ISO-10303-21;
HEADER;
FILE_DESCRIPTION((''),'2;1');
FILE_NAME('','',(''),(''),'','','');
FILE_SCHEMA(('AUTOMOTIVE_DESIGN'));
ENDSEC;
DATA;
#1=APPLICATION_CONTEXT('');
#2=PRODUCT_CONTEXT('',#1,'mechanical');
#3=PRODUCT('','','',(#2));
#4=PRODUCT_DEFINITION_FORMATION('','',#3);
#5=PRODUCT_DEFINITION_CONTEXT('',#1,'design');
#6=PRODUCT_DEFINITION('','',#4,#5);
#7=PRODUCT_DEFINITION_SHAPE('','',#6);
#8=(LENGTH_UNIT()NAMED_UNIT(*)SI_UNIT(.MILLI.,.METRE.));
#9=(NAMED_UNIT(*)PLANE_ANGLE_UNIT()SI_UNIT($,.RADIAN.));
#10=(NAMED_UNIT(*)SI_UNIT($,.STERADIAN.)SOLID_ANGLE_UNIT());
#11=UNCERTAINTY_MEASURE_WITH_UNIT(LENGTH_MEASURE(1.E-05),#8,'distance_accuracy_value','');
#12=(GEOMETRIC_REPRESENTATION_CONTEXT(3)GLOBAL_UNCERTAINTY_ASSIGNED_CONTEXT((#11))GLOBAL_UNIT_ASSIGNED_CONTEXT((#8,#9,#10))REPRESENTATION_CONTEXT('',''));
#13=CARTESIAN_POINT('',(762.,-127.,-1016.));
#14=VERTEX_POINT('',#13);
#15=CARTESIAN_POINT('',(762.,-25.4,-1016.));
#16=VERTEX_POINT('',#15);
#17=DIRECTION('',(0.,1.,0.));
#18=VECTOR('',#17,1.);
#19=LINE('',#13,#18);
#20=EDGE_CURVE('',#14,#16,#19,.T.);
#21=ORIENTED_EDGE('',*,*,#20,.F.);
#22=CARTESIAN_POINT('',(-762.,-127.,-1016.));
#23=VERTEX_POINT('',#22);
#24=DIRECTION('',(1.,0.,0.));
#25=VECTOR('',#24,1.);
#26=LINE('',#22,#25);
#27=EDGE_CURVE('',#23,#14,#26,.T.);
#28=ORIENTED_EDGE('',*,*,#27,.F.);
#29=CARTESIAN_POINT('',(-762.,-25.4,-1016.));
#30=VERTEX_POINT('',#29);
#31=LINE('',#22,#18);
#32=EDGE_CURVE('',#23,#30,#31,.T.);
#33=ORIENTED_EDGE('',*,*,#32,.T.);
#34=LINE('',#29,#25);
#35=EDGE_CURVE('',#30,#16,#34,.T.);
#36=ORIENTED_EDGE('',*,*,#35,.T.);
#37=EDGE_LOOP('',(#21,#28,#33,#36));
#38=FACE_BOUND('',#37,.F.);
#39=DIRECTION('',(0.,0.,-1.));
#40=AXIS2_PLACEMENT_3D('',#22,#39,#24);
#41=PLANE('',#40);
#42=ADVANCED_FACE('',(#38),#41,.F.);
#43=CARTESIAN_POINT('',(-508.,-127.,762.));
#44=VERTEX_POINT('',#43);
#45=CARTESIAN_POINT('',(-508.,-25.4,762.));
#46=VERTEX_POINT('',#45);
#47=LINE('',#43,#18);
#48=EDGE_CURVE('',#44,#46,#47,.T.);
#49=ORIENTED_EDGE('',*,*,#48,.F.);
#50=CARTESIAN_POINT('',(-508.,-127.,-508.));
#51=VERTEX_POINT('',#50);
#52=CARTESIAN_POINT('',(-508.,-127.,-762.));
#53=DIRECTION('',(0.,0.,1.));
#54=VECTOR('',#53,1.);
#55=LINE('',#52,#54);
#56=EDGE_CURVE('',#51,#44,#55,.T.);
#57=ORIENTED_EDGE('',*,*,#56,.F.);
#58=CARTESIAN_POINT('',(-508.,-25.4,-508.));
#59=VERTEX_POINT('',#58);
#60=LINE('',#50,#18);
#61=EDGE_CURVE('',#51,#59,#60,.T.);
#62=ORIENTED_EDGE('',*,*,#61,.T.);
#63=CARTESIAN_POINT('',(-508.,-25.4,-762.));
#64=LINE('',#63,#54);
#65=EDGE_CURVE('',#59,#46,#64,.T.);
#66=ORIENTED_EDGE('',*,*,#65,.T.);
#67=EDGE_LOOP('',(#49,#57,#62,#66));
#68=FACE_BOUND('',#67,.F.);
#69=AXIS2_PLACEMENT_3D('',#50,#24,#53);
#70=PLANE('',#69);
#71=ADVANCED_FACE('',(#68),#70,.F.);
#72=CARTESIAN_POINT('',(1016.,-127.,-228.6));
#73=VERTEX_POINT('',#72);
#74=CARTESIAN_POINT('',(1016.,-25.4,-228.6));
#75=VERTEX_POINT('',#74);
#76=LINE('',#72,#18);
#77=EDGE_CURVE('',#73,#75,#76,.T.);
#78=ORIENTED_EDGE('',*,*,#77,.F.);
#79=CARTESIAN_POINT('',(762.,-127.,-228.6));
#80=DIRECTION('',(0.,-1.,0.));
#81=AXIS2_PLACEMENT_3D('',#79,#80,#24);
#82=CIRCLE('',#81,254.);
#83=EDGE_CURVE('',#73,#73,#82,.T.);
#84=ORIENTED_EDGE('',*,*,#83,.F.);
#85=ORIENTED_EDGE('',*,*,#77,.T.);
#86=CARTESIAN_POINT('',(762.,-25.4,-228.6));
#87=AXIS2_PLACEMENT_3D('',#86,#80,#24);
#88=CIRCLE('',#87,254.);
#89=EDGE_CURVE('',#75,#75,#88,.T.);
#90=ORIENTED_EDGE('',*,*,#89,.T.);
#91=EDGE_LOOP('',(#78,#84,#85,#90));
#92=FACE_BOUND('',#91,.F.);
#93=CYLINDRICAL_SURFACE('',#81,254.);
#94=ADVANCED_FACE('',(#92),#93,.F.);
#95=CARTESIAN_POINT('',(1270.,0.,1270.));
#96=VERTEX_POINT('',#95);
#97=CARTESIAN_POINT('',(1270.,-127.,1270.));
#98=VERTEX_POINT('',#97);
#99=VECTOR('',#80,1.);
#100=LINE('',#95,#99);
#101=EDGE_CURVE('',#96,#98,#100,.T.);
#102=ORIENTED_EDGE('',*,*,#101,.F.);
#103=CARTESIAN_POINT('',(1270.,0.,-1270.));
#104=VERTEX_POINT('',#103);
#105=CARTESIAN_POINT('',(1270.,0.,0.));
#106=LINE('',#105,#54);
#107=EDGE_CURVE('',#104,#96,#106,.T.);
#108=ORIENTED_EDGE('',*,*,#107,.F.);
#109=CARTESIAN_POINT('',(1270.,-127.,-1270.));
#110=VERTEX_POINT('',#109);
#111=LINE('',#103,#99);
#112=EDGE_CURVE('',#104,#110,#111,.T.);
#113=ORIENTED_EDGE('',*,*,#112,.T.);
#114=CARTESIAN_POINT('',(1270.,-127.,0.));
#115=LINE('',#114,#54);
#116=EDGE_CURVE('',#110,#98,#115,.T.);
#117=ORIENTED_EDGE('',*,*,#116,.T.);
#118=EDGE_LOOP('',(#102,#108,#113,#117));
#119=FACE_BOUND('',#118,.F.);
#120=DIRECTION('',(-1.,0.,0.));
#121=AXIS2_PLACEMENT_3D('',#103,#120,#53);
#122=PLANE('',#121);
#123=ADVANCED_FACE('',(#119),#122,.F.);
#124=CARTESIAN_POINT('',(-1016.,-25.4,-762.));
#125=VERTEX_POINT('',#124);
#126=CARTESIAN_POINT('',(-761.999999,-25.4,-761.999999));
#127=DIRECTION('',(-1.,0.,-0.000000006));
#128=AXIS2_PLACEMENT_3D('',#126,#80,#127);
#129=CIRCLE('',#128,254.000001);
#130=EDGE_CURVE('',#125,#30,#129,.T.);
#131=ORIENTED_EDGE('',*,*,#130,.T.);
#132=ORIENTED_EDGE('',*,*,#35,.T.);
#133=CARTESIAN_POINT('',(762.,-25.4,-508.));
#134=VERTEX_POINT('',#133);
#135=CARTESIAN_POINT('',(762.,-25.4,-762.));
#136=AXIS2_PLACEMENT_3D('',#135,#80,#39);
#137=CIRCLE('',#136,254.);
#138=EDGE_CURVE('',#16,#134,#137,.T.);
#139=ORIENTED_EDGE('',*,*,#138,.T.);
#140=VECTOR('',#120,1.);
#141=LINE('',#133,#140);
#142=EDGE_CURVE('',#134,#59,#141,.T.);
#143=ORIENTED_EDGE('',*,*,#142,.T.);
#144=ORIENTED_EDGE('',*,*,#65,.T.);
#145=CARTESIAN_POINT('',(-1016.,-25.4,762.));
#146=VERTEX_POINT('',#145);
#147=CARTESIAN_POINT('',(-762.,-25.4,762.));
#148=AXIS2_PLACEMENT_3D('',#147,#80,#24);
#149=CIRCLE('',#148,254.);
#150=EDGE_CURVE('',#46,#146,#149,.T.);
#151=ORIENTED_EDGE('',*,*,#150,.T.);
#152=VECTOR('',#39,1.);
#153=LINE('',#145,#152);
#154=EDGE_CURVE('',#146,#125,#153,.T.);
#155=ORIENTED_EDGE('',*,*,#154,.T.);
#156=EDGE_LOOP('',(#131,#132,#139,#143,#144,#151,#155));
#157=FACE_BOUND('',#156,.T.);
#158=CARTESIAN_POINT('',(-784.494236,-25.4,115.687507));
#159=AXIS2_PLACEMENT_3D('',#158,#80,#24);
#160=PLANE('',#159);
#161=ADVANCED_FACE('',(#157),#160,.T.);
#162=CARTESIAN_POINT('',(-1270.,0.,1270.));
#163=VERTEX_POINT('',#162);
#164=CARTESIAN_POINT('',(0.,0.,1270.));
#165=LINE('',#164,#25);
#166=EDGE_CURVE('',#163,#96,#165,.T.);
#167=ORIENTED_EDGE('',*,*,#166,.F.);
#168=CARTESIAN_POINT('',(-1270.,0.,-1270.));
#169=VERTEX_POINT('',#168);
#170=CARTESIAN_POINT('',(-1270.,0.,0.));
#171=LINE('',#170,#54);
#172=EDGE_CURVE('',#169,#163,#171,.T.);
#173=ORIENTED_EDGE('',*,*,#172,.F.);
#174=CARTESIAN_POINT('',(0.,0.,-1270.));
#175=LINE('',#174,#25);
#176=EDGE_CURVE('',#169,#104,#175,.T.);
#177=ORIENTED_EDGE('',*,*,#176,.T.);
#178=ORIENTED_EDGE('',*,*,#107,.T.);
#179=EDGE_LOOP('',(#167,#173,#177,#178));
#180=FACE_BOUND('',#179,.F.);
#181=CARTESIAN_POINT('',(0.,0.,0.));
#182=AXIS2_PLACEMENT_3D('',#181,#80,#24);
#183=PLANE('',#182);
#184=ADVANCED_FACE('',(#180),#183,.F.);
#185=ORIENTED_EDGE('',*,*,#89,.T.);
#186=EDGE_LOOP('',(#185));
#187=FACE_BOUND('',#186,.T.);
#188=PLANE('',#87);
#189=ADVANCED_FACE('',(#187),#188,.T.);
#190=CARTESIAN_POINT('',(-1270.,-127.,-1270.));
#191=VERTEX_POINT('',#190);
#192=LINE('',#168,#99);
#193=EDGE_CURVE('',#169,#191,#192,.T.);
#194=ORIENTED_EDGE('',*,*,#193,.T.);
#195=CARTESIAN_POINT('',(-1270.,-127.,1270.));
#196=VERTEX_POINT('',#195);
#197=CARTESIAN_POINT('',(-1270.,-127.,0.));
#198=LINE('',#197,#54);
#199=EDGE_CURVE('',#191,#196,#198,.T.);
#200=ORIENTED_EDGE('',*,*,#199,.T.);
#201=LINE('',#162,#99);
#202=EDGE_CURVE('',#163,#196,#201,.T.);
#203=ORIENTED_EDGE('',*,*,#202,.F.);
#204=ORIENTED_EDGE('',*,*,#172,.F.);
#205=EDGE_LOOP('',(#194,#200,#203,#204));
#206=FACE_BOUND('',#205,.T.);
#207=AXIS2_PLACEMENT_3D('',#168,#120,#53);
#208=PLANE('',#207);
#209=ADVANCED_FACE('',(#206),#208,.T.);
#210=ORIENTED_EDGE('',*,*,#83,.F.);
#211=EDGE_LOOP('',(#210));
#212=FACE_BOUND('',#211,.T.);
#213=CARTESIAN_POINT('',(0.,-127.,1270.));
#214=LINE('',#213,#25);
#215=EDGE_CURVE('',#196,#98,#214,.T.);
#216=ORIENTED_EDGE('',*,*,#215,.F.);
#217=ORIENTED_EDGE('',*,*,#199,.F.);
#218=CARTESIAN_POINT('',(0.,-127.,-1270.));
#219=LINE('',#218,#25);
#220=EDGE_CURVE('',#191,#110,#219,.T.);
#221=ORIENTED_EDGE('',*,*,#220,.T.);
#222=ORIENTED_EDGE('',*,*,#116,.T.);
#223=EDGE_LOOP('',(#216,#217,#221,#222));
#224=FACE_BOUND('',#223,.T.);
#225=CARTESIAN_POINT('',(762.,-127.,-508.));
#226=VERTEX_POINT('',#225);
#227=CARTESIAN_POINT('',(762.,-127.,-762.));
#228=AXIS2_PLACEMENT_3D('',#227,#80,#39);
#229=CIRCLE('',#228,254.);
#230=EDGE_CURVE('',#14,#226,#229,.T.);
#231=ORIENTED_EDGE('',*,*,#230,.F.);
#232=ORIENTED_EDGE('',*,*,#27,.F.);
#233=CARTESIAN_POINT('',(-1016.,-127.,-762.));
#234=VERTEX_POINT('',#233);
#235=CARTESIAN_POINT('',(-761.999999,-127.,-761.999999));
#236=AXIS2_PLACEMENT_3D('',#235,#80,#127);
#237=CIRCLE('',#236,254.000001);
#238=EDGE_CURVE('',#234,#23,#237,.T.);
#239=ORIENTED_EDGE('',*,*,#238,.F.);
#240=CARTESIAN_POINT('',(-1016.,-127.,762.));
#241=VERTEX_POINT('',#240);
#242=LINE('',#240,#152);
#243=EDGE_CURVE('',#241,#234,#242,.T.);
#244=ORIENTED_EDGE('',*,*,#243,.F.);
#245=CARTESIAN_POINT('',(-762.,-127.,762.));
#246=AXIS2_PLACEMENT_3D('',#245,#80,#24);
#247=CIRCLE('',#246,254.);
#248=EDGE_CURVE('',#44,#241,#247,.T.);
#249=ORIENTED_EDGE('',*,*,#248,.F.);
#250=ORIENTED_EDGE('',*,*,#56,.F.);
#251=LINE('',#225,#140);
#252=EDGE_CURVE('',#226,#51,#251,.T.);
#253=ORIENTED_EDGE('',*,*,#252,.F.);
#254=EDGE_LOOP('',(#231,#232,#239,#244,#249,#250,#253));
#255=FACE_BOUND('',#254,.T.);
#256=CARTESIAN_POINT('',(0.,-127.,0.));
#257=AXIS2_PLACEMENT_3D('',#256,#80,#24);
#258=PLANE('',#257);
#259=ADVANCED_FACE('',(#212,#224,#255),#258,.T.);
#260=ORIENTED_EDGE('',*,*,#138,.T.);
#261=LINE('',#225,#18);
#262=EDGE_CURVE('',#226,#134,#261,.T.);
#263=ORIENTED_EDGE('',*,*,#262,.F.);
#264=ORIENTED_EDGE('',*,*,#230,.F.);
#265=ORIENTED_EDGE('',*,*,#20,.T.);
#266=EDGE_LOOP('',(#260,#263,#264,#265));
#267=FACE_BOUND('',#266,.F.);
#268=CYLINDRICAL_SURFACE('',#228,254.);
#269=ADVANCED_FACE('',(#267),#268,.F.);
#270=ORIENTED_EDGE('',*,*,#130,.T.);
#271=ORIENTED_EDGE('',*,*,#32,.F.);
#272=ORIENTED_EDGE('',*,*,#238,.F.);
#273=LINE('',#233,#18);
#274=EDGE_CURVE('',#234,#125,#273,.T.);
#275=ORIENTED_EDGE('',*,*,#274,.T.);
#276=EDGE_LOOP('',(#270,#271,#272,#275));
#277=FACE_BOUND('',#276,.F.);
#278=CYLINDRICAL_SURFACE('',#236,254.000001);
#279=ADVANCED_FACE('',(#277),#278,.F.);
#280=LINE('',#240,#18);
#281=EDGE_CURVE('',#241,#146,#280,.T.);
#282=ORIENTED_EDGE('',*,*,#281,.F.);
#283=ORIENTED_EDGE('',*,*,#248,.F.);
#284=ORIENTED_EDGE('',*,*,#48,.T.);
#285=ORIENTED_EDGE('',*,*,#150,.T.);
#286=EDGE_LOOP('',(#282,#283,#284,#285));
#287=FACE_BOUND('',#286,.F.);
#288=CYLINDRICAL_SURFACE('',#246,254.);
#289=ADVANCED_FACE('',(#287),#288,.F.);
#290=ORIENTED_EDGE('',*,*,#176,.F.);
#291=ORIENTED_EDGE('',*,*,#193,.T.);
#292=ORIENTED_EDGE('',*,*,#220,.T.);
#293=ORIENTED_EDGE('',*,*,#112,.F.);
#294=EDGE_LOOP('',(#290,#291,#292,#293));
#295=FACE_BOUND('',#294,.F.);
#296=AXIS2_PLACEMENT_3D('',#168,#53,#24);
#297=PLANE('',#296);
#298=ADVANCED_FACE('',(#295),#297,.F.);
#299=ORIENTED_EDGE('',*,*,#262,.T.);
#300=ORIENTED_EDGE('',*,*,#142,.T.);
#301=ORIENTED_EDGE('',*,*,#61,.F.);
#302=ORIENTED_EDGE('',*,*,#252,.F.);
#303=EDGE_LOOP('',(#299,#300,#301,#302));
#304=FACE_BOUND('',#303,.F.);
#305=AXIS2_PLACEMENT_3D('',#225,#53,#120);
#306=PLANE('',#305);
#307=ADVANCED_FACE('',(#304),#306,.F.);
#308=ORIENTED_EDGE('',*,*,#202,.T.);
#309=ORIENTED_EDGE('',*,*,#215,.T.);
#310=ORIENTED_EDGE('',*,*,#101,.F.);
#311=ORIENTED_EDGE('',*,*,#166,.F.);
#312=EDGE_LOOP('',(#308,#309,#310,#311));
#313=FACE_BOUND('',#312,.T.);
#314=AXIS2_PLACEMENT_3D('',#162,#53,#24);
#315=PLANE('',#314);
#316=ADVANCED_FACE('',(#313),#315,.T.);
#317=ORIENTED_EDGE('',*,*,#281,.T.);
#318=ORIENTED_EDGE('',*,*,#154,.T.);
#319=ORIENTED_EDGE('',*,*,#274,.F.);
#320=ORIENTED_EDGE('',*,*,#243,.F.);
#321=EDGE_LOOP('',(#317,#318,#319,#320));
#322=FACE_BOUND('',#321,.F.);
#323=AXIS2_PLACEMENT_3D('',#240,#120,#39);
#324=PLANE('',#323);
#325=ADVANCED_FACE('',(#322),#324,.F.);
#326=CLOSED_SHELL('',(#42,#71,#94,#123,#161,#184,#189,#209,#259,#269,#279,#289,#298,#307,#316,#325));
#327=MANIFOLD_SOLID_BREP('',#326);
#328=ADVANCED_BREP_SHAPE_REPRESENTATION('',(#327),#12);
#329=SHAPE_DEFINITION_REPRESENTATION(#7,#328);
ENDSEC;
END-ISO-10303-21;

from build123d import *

# Parameters (mm, degrees)
F0_W     = 2540
F0_H     = 2540
F1_DEPTH = 127
F2_R     = 254
F3_DEPTH = 101.6


with BuildPart() as f1:
    # F0 (on Front) → F1 (new body)
    with BuildSketch(Plane.XZ):
        Rectangle(F0_W, F0_H)
    extrude(amount=F1_DEPTH)

    # F2 (on face) → F3 (cut)
    with BuildSketch(Plane.XZ.offset(127)):
        with BuildLine():
            ThreePointArc((-508, 762), (-762, 1016), (-1016, 762))
            Line((-1016, 762), (-1016, -762))
            ThreePointArc((-1016, -762), (-941.605122, -582.394878), (-762, -508))
            Line((-762, -508), (-508, -508))
            Line((-508, -508), (-508, 762))
        make_face()
        with BuildLine():
            ThreePointArc((-762, -508), (-941.605122, -582.394878), (-1016, -762))
            ThreePointArc((-1016, -762), (-941.605122, -941.605122), (-762, -1016))
            ThreePointArc((-762, -1016), (-582.394878, -941.605122), (-508, -762))
            Line((-508, -762), (-508, -508))
            Line((-508, -508), (-762, -508))
        make_face()
        with BuildLine():
            Line((762, -508), (-508, -508))
            Line((-508, -508), (-508, -762))
            ThreePointArc((-508, -762), (-582.394878, -941.605122), (-762, -1016))
            Line((-762, -1016), (762, -1016))
            ThreePointArc((762, -1016), (1016, -762), (762, -508))
        make_face()
        with Locations((762, -228.6)):
            Circle(F2_R)
    extrude(amount=-F3_DEPTH, mode=Mode.SUBTRACT)


solid = f1.part
